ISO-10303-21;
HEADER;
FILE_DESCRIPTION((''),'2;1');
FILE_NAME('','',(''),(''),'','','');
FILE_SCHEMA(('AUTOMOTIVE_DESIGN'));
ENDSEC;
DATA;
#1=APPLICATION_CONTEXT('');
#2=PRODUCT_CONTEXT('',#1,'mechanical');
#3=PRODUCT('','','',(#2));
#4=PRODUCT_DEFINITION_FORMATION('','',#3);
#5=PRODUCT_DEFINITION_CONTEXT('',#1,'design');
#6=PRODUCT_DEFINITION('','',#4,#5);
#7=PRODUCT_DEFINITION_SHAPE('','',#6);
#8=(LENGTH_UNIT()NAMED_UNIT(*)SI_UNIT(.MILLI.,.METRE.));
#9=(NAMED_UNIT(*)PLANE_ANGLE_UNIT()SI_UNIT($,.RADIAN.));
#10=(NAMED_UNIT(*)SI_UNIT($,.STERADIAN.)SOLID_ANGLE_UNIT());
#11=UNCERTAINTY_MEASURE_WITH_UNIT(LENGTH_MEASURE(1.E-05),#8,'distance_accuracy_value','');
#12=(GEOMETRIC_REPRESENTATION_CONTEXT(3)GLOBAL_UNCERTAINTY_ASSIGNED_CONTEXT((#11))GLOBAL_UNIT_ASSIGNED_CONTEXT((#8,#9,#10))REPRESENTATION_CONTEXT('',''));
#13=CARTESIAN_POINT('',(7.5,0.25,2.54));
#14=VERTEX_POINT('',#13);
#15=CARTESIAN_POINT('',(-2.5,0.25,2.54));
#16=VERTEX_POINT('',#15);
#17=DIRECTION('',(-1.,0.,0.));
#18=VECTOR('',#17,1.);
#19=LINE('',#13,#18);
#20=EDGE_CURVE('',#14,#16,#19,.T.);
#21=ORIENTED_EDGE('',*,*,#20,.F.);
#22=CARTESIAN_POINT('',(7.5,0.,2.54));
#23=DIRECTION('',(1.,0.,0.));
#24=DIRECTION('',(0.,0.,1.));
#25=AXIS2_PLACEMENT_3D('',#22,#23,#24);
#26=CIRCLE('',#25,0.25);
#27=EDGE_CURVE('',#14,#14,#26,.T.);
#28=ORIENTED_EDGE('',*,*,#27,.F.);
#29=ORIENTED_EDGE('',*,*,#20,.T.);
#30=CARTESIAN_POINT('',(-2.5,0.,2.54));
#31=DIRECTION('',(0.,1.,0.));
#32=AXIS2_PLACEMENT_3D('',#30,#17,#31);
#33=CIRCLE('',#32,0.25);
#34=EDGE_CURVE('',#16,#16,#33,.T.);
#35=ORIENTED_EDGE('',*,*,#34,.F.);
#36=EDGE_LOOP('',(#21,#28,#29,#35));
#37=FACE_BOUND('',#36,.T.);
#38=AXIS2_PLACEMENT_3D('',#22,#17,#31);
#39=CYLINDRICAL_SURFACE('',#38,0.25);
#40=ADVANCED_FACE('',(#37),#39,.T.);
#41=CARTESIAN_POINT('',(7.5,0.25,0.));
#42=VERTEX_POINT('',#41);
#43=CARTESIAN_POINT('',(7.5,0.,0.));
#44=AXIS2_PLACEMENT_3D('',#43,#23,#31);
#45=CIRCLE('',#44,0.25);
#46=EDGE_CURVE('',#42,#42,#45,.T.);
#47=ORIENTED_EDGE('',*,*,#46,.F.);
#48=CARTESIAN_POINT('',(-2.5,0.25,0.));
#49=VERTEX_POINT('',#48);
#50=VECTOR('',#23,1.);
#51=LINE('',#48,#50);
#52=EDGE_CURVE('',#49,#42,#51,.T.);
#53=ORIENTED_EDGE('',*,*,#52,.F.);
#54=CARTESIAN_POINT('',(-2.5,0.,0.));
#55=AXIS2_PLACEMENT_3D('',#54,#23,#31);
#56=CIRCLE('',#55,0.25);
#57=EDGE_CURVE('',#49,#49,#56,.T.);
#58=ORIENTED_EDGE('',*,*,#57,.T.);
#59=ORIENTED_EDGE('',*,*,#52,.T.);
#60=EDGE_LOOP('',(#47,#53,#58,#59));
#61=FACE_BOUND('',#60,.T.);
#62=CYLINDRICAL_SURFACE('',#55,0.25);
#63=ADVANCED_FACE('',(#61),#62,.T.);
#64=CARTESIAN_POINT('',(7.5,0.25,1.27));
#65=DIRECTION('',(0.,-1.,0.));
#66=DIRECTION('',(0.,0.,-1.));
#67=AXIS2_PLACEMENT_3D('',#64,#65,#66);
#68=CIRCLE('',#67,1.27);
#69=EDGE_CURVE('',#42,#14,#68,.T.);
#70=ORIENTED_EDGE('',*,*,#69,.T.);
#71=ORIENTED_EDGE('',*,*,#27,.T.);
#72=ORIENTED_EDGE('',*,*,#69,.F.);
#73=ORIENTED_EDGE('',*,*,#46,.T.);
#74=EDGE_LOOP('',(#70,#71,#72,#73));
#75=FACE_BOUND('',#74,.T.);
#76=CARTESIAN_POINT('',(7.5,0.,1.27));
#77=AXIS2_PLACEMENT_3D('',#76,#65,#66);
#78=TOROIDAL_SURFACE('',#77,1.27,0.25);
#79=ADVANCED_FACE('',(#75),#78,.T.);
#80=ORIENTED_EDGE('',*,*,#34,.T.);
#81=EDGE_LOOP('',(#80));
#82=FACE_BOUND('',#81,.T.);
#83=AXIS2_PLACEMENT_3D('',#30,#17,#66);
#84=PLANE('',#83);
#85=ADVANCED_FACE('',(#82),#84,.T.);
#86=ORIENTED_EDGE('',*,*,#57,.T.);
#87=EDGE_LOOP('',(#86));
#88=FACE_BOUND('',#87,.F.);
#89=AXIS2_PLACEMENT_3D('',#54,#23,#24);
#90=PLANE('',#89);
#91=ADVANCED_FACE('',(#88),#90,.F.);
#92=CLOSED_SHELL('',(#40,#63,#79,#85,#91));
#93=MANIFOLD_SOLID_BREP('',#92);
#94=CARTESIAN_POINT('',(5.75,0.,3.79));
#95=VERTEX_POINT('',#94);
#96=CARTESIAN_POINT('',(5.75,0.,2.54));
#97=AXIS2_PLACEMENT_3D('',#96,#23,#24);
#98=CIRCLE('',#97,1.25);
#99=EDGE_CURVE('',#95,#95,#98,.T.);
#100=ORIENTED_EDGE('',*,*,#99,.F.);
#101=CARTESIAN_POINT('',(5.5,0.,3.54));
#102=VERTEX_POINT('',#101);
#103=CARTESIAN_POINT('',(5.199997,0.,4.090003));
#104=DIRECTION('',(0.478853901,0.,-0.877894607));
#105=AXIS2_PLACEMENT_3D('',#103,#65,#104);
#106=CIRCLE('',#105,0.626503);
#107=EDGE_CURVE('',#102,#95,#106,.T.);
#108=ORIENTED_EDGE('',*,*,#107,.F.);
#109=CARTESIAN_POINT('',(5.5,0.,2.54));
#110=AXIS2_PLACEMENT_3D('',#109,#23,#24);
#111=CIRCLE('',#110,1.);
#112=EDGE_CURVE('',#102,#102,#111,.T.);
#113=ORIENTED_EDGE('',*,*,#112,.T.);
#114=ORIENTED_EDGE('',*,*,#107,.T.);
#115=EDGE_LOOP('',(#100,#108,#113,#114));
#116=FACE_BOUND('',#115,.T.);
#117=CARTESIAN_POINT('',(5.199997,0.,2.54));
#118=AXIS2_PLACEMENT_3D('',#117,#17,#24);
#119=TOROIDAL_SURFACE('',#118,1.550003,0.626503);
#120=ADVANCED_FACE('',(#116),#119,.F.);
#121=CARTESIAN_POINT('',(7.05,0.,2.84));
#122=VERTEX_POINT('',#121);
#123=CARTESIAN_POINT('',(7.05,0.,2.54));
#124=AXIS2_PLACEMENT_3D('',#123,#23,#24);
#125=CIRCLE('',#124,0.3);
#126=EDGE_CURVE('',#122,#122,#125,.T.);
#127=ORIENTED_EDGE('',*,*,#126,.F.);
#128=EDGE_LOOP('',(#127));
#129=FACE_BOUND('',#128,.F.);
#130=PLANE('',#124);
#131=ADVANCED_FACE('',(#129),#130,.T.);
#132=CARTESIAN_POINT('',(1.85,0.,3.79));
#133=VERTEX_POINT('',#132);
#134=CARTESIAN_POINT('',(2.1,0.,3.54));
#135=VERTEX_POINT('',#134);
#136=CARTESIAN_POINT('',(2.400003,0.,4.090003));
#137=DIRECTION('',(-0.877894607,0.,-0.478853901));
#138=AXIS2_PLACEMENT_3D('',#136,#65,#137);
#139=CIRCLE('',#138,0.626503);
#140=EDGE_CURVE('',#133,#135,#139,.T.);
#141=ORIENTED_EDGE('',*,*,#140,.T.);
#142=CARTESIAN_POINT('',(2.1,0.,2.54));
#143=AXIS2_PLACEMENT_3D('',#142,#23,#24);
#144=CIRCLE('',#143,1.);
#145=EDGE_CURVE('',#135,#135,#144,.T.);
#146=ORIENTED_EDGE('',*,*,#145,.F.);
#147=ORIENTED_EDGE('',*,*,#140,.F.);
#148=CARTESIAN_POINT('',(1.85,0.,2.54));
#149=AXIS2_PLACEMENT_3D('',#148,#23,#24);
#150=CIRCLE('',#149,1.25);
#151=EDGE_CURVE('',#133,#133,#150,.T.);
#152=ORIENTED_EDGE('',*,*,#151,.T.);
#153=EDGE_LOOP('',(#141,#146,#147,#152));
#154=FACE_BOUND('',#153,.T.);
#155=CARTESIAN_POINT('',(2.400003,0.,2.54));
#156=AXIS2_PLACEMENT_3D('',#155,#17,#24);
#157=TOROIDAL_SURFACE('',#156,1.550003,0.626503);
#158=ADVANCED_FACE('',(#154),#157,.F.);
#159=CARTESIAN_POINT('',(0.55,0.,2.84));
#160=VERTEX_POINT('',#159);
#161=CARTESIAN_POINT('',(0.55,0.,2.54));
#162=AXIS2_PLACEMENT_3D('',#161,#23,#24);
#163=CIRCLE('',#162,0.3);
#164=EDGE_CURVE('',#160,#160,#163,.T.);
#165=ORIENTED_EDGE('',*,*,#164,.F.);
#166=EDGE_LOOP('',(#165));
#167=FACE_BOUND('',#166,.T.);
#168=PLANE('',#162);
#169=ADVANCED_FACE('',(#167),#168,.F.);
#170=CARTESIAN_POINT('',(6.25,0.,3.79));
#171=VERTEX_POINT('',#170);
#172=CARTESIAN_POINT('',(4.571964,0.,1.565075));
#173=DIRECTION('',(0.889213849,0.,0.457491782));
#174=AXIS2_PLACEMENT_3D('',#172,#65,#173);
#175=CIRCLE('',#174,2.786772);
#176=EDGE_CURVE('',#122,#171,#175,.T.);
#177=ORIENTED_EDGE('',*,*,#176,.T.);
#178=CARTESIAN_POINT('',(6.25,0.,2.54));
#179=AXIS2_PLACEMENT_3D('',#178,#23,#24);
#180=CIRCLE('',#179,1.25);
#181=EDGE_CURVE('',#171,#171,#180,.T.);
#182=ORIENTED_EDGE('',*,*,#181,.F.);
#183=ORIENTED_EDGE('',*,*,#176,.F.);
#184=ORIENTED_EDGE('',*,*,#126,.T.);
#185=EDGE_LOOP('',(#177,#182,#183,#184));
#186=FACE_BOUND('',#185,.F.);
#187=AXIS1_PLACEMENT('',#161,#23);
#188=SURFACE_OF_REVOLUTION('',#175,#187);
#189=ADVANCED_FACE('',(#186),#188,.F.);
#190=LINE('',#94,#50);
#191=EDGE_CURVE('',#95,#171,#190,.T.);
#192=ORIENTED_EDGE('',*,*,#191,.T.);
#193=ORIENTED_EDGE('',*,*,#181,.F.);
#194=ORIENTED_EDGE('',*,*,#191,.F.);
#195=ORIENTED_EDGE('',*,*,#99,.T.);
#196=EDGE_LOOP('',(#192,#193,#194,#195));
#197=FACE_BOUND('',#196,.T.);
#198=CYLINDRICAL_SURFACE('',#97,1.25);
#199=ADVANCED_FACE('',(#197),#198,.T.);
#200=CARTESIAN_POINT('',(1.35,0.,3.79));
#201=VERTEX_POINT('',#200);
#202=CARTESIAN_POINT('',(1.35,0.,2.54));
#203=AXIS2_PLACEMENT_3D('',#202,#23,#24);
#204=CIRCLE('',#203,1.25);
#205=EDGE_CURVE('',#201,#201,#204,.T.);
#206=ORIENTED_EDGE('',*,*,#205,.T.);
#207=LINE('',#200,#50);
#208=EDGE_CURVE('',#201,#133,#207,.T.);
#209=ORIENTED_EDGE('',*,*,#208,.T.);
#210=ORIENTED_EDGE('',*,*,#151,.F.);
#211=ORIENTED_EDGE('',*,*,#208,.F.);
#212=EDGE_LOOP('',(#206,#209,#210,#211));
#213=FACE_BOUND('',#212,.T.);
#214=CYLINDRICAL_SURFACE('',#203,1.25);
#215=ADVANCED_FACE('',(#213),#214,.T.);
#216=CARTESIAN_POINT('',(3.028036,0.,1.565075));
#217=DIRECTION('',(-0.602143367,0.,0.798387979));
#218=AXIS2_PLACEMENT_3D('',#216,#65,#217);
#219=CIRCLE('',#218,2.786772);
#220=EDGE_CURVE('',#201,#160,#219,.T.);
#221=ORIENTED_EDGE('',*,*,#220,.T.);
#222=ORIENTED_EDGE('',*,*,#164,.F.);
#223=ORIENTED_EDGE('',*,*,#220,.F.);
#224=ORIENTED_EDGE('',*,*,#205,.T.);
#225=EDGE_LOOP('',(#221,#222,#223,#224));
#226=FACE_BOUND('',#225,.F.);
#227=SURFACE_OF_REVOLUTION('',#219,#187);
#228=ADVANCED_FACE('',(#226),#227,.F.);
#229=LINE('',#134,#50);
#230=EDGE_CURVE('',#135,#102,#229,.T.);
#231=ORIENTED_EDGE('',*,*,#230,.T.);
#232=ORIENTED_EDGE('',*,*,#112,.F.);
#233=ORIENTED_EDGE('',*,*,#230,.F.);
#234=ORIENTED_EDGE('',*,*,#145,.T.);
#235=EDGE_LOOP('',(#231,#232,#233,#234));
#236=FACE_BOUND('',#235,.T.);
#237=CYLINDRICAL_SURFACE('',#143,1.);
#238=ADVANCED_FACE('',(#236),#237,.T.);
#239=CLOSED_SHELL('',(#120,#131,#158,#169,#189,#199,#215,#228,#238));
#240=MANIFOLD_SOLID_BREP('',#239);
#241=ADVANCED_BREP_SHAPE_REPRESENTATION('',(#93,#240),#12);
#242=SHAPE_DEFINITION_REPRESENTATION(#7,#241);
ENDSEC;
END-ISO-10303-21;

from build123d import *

# Parameters (mm, degrees)
SKETCH_R = 0.25


with BuildPart() as revolution:
    # Sketch002 → Revolution (revolve)
    with BuildSketch(Plane.XZ):
        with BuildLine():
            Line((1.35, 3.79), (1.85, 3.79))
            ThreePointArc((1.85, 3.79), (1.956999, 3.646999), (2.1, 3.54))
            Line((2.1, 3.54), (5.5, 3.54))
            ThreePointArc((5.5, 3.54), (5.643001, 3.646999), (5.75, 3.79))
            Line((5.75, 3.79), (6.25, 3.79))
            ThreePointArc((7.05, 2.84), (6.703597, 3.360134), (6.25, 3.79))
            Line((7.05, 2.54), (7.05, 2.84))
            Line((0.55, 2.54), (7.05, 2.54))
            Line((0.55, 2.54), (0.55, 2.84))
            ThreePointArc((1.35, 3.79), (0.896403, 3.360134), (0.55, 2.84))
        make_face()
    revolve(axis=Axis((0.55, 0, 2.54), (1, 0, 0)))


with BuildPart() as sweep_body:
    # Sweep: sweep along a path in Sketch001
    with BuildLine(Plane.XZ) as sweep_path:
        Line((-2.5, 0), (7.5, 0))
        ThreePointArc((7.5, 0), (8.77, 1.27), (7.5, 2.54))
        Line((7.5, 2.54), (-2.5, 2.54))
    # Sketch → Sweep (sweep)
    with BuildSketch(Plane.YZ.offset(-2.5)):
        Circle(SKETCH_R)
    sweep(path=sweep_path.line, is_frenet=True)


solid = Compound([revolution.part, sweep_body.part])
